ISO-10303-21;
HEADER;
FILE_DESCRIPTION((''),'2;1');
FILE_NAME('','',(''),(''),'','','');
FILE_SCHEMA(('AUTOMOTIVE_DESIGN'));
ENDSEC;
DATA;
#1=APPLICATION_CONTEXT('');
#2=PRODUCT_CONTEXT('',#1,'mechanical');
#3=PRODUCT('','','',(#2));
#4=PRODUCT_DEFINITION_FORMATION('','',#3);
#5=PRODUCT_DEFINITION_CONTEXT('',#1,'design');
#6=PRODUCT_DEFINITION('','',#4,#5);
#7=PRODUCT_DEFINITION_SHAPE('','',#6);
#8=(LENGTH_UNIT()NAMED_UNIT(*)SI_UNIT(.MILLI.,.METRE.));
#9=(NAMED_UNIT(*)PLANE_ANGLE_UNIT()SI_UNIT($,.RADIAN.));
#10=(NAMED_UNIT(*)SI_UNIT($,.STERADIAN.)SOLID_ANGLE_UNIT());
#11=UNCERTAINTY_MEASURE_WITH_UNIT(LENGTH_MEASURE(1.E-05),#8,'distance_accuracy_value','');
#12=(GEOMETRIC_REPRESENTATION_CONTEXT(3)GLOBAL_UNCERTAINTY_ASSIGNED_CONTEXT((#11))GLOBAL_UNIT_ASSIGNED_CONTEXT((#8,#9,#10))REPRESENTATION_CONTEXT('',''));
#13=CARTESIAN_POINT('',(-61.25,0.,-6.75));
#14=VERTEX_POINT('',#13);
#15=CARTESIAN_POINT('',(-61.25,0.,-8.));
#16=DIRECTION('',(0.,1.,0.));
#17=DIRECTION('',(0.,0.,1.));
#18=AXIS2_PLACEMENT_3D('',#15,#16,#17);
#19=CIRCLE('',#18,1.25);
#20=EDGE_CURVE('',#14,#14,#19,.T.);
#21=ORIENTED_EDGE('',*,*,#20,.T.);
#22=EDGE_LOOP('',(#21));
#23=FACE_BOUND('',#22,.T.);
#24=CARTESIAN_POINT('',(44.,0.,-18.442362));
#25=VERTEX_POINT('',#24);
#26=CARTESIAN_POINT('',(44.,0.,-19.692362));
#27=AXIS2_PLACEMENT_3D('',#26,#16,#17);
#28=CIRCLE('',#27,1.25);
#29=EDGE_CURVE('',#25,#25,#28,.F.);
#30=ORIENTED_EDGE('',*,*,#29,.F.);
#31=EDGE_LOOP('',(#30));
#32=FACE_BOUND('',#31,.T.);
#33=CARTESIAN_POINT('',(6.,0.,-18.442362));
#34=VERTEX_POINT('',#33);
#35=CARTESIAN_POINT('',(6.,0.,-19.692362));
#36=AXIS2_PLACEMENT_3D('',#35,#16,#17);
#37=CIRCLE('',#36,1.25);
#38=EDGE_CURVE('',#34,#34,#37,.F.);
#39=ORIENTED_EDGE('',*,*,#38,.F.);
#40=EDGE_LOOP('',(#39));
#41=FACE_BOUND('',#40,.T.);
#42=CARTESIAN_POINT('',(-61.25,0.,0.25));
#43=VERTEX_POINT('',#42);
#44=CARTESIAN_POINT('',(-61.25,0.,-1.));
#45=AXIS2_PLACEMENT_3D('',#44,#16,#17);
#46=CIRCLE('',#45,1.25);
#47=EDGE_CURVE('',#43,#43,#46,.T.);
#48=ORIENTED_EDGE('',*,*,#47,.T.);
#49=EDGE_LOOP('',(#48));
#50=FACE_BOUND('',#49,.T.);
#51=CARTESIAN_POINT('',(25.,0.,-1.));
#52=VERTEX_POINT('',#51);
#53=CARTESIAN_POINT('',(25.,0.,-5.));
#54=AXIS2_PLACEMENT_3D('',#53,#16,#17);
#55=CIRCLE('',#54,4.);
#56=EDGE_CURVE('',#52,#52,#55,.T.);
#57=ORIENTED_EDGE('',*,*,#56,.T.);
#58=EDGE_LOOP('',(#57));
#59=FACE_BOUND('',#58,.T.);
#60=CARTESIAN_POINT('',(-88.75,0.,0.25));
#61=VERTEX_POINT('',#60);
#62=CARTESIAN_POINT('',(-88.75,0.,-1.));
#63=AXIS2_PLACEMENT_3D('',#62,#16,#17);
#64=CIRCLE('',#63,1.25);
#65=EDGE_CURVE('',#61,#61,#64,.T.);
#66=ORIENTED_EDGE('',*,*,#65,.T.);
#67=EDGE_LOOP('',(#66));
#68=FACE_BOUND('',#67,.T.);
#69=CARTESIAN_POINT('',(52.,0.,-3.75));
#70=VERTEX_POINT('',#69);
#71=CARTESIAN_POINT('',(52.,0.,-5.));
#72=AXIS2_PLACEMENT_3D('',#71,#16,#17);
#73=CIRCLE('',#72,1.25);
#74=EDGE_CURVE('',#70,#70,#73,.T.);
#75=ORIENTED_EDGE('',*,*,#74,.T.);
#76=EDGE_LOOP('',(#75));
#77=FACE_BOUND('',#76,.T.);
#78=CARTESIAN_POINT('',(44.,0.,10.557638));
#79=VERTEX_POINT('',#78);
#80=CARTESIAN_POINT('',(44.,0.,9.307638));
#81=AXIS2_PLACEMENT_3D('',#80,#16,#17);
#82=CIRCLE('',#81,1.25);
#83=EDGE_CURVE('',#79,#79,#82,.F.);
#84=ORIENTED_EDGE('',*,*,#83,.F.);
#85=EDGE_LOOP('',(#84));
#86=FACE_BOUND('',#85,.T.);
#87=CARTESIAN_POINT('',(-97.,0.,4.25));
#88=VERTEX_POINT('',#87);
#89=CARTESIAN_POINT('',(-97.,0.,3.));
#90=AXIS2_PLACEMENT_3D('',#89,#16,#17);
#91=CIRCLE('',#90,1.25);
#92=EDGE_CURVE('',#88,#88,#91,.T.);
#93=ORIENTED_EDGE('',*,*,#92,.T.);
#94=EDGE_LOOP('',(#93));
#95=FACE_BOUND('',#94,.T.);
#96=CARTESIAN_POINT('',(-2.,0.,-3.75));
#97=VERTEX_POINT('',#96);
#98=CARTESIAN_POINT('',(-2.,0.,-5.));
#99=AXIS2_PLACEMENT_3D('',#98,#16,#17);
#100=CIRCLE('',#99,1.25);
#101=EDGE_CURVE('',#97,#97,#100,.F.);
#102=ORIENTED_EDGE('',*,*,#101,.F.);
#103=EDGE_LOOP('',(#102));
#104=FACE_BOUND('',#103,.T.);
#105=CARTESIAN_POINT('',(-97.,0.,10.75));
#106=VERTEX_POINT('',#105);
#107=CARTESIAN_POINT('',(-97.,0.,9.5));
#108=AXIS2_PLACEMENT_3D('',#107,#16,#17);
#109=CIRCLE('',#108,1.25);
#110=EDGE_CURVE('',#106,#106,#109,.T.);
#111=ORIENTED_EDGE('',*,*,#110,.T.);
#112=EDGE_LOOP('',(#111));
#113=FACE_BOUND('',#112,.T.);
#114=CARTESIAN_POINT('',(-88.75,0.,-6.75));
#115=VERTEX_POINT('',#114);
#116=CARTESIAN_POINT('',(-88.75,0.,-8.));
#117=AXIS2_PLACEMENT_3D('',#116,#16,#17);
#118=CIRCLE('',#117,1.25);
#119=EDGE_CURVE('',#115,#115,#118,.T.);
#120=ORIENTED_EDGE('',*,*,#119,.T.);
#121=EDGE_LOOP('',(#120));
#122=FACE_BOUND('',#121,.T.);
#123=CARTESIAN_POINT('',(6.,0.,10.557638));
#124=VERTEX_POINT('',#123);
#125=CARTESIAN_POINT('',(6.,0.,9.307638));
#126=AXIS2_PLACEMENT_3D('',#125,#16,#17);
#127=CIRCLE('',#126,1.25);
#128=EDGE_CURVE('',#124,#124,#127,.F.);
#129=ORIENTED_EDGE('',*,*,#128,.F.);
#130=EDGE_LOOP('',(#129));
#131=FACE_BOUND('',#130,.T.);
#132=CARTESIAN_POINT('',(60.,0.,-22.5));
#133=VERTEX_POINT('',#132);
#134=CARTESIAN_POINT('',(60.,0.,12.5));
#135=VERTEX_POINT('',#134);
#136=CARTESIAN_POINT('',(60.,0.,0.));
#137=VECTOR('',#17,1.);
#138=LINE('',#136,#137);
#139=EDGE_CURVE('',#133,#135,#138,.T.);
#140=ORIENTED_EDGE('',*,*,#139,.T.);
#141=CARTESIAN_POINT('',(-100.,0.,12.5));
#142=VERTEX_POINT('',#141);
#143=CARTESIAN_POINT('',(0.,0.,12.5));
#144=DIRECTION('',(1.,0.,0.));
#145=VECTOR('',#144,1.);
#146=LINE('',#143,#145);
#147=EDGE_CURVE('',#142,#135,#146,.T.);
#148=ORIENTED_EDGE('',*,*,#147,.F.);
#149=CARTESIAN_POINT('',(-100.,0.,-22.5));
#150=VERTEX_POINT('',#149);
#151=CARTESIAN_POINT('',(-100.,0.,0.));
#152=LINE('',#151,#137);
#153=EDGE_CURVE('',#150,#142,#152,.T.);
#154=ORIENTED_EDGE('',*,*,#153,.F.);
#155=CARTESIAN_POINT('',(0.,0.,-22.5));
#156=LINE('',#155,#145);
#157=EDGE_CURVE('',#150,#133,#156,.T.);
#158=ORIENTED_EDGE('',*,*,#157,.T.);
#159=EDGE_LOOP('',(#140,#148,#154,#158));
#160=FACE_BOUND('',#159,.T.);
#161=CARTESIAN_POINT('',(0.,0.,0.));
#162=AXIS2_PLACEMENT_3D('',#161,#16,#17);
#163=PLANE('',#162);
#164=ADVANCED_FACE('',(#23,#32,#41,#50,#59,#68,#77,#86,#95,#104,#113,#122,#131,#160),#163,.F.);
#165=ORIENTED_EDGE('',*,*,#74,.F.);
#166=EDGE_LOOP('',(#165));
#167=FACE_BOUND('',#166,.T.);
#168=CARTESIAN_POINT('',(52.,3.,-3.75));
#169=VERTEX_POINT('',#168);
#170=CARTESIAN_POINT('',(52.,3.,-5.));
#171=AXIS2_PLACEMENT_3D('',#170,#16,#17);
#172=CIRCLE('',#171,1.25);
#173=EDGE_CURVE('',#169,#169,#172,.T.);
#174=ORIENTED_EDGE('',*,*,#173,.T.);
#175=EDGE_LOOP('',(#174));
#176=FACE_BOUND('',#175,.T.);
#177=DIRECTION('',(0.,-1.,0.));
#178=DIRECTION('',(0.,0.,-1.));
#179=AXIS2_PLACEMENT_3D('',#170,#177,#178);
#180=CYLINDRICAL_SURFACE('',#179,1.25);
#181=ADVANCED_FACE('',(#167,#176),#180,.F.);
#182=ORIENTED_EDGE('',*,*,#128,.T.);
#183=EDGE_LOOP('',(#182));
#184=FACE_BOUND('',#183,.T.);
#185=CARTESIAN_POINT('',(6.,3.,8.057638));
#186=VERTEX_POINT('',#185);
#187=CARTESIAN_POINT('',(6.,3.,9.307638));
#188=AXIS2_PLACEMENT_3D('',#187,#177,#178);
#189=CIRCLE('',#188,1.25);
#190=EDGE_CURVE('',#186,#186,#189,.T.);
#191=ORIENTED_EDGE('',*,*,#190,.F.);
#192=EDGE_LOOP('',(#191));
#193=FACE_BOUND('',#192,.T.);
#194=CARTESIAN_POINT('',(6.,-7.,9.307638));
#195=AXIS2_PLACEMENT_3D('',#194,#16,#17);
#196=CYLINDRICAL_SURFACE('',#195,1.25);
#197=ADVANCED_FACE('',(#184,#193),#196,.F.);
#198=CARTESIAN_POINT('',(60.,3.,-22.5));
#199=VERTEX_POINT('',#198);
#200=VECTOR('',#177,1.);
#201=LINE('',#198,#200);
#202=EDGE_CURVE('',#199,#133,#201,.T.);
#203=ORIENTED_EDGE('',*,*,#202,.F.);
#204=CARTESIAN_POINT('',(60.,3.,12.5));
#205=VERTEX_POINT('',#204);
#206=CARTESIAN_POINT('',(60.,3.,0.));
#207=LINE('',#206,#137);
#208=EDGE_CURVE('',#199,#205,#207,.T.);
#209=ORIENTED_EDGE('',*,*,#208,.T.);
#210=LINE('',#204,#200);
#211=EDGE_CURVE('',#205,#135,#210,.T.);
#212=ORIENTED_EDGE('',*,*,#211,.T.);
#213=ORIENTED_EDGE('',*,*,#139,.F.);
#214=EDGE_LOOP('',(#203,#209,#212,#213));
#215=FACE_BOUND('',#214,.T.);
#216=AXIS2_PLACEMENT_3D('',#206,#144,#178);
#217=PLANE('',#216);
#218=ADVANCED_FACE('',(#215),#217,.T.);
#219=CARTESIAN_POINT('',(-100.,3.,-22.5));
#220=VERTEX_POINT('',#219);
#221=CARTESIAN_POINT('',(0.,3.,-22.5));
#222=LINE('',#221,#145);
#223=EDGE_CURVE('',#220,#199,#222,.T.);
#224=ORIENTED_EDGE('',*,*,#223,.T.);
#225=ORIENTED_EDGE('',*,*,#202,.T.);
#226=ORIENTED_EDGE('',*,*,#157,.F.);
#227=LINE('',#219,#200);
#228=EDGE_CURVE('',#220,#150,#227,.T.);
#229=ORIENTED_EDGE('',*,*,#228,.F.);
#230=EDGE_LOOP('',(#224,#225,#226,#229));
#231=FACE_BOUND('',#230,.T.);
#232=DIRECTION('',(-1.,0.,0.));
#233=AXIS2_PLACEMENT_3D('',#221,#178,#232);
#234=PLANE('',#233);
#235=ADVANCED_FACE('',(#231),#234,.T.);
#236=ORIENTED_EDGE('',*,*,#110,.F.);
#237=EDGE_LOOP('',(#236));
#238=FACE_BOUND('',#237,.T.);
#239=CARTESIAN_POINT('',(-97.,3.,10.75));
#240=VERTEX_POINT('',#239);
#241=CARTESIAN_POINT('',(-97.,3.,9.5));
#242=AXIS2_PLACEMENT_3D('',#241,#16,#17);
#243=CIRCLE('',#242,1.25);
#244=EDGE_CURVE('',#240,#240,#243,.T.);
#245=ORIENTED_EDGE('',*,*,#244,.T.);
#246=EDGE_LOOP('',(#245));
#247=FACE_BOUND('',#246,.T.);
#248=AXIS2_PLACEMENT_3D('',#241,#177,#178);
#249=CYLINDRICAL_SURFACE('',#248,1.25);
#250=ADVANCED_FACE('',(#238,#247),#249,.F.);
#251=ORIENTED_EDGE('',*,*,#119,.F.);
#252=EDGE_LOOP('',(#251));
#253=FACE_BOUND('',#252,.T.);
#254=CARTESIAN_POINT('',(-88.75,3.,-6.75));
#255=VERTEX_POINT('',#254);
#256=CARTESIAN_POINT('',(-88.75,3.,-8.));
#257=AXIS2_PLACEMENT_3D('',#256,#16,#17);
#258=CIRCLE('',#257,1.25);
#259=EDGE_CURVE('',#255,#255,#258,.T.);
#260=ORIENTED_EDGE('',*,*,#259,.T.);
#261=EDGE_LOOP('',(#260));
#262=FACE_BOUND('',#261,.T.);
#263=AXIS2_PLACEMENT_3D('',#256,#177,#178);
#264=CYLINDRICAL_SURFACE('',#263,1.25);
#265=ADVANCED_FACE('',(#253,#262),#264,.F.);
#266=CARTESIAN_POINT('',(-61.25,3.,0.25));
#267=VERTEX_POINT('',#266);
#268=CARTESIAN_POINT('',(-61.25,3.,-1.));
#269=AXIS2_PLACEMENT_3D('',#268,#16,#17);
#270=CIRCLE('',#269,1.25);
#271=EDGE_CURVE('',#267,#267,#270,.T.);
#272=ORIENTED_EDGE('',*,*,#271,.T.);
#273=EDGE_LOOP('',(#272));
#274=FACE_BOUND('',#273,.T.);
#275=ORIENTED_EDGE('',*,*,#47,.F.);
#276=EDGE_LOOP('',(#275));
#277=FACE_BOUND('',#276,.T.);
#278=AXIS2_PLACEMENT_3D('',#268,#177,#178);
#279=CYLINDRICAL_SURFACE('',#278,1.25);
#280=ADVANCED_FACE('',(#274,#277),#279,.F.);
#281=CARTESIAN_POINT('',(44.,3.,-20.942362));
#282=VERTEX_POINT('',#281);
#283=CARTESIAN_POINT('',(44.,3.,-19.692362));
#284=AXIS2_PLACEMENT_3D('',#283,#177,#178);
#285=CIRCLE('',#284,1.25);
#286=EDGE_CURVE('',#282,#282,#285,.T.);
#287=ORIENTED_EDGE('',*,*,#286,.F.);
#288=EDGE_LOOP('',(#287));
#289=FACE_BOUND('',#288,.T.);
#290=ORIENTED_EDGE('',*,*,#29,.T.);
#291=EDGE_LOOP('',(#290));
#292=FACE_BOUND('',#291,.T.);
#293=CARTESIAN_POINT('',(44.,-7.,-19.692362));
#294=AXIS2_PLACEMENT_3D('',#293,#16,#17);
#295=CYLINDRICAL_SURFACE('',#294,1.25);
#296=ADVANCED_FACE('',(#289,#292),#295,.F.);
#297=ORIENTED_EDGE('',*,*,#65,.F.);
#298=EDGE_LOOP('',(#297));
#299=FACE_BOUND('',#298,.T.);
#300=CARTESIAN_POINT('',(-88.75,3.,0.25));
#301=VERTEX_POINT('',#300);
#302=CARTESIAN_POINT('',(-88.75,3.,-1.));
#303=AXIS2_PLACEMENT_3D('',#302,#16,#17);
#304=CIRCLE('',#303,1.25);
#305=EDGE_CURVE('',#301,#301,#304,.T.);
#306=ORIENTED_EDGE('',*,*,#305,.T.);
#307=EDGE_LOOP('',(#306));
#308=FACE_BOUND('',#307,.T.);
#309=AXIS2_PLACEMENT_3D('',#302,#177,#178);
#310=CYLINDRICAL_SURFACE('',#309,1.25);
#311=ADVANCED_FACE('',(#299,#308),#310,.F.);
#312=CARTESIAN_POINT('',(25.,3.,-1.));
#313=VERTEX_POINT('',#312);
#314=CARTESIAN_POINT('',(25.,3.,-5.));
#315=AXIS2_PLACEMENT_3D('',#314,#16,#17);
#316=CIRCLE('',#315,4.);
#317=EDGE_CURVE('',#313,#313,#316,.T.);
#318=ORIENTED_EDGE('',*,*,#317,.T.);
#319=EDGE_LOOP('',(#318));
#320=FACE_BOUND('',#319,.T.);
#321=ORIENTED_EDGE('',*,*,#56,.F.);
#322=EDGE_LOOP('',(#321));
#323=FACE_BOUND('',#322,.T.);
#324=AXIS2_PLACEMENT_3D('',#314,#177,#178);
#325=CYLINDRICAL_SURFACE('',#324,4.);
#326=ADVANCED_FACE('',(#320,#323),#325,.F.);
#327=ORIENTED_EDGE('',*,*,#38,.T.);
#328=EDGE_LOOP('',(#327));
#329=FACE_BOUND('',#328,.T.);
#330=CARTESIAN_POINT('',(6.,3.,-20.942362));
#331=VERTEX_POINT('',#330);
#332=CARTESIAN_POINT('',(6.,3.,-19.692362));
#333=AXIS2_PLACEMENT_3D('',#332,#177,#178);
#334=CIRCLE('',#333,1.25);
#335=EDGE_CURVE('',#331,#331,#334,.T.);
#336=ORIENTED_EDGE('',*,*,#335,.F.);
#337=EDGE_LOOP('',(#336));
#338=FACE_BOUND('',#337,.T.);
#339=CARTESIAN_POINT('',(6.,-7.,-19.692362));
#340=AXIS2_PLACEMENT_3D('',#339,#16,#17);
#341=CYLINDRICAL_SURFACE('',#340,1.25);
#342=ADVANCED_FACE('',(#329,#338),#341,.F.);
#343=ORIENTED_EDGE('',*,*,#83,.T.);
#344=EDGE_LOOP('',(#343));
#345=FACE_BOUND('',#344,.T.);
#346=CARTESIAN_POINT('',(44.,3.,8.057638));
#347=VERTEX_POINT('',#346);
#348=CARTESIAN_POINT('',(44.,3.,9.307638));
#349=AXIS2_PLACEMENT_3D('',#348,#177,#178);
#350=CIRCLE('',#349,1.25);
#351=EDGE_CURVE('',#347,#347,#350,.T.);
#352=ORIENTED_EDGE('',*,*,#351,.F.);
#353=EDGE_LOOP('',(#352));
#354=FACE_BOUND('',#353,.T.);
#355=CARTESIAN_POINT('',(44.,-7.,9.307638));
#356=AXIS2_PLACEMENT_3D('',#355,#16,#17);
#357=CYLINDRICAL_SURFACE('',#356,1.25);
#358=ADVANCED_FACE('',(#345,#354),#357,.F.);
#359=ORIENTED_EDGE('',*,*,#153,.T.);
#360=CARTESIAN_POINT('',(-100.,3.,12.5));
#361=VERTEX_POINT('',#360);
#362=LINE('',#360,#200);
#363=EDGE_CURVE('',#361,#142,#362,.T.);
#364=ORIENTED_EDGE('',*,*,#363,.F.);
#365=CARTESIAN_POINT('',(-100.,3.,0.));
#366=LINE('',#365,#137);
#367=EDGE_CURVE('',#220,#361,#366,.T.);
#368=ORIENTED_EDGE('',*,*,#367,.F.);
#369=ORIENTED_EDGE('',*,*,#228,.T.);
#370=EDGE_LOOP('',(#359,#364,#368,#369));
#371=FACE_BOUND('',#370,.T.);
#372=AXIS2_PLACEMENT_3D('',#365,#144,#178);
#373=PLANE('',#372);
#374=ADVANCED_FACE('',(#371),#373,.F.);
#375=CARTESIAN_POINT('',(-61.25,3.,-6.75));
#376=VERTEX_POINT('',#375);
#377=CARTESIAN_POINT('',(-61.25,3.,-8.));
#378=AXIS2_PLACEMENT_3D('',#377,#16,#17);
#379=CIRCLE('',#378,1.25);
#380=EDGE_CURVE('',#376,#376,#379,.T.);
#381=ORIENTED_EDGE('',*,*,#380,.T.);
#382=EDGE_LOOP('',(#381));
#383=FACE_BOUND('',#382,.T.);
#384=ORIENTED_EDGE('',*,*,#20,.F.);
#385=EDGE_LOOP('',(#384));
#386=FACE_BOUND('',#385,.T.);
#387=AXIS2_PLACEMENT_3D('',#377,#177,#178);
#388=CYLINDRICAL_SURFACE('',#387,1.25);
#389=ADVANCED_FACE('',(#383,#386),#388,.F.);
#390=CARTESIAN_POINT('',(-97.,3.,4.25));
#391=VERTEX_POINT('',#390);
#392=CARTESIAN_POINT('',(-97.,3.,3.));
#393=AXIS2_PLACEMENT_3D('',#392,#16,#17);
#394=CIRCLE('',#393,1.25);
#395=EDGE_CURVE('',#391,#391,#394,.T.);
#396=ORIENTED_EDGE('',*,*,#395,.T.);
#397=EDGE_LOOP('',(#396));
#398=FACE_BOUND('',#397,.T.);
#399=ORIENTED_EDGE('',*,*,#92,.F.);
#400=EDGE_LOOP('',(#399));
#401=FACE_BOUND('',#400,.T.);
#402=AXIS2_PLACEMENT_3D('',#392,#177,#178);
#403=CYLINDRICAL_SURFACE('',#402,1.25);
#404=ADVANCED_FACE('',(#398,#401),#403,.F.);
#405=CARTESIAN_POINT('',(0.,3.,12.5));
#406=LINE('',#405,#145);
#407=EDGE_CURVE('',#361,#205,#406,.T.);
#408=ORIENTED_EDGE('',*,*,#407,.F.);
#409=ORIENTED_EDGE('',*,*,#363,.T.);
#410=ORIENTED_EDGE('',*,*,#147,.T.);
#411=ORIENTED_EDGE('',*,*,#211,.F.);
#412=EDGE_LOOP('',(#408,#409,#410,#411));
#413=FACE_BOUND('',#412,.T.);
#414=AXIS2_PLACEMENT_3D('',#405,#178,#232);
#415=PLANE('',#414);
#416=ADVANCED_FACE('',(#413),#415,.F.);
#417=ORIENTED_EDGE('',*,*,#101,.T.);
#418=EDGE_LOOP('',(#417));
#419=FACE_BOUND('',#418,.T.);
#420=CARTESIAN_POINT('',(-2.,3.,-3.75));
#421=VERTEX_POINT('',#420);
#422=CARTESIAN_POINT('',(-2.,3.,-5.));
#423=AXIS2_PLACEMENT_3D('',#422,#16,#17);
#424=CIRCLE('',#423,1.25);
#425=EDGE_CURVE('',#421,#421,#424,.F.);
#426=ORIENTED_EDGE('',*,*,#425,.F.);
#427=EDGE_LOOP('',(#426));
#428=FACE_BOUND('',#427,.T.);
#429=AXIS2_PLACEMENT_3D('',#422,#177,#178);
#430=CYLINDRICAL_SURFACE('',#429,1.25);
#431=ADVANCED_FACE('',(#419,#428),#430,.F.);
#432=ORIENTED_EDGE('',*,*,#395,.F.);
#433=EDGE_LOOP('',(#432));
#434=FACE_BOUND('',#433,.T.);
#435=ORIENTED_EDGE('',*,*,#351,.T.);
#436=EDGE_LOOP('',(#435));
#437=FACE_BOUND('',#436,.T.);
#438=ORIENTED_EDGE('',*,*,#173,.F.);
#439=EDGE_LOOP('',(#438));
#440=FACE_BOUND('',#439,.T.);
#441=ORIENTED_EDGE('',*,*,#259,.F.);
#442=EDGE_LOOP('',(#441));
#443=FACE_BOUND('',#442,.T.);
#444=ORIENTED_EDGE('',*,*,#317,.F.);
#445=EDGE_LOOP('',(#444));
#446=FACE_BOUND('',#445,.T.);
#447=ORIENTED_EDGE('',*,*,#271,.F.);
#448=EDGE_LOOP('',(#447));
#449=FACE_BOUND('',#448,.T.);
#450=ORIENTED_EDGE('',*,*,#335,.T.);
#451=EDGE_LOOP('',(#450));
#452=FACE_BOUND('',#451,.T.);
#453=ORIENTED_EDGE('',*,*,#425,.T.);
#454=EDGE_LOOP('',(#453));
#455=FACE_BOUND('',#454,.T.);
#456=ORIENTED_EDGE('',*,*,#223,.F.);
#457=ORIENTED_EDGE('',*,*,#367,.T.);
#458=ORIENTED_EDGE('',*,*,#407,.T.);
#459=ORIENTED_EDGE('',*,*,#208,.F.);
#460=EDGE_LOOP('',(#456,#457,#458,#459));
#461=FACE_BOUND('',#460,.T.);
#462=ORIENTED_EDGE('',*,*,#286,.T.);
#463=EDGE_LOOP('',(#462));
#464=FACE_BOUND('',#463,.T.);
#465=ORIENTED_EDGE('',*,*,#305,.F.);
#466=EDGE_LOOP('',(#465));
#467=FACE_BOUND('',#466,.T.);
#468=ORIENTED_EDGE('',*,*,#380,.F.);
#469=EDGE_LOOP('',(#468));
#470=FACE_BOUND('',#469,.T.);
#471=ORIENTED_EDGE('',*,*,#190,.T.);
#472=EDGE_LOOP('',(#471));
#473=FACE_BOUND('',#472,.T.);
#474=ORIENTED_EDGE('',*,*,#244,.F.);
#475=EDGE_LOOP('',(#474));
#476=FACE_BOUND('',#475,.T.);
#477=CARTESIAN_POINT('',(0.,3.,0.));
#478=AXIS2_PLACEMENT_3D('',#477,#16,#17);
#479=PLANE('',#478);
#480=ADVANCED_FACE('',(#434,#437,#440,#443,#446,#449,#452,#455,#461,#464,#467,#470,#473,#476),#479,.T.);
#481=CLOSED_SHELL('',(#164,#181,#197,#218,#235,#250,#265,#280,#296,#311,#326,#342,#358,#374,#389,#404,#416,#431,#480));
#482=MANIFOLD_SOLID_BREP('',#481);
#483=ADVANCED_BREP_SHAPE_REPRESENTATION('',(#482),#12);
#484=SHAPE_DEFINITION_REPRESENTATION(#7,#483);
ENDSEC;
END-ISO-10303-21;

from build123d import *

# Parameters (mm, degrees)
SKETCH1_W           = 160
SKETCH1_H           = 35
SKETCH1_R           = 1.25
SKETCH1_R_2         = 4
BOSS_EXTRUDE1_DEPTH = 3
SKETCH3_R           = 1.25
CUT_EXTRUDE7_DEPTH  = 10


with BuildPart() as part:
    # Sketch1 → Boss-Extrude1 (new body)
    with BuildSketch(Plane(origin=(0, 0, 0), x_dir=(1, 0, 0), z_dir=(0, 1, 0))):
        with Locations((-20, 5)):
            Rectangle(SKETCH1_W, SKETCH1_H)
        with Locations((-97, -9.5)):
            Circle(SKETCH1_R, mode=Mode.SUBTRACT)
        with Locations((-97, -3)):
            Circle(SKETCH1_R, mode=Mode.SUBTRACT)
        with Locations((-88.75, 1)):
            Circle(SKETCH1_R, mode=Mode.SUBTRACT)
        with Locations((-61.25, 1)):
            Circle(SKETCH1_R, mode=Mode.SUBTRACT)
        with Locations((-88.75, 8)):
            Circle(SKETCH1_R, mode=Mode.SUBTRACT)
        with Locations((-61.25, 8)):
            Circle(SKETCH1_R, mode=Mode.SUBTRACT)
        with Locations((-2, 5)):
            Circle(SKETCH1_R, mode=Mode.SUBTRACT)
        with Locations((25, 5)):
            Circle(SKETCH1_R_2, mode=Mode.SUBTRACT)
        with Locations((52, 5)):
            Circle(SKETCH1_R, mode=Mode.SUBTRACT)
    extrude(amount=BOSS_EXTRUDE1_DEPTH)

    # Sketch3 → Cut-Extrude7 (cut)
    with BuildSketch(Plane(origin=(0, 3, 0), x_dir=(-1, 0, 0), z_dir=(0, -1, 0))):
        with Locations((-44, -9.307637977)):
            Circle(SKETCH3_R)
        with Locations((-44, 19.692362023)):
            Circle(SKETCH3_R)
        with Locations((-6, 19.692362023)):
            Circle(SKETCH3_R)
        with Locations((-6, -9.307637977)):
            Circle(SKETCH3_R)
    extrude(amount=CUT_EXTRUDE7_DEPTH, mode=Mode.SUBTRACT)


solid = part.part
